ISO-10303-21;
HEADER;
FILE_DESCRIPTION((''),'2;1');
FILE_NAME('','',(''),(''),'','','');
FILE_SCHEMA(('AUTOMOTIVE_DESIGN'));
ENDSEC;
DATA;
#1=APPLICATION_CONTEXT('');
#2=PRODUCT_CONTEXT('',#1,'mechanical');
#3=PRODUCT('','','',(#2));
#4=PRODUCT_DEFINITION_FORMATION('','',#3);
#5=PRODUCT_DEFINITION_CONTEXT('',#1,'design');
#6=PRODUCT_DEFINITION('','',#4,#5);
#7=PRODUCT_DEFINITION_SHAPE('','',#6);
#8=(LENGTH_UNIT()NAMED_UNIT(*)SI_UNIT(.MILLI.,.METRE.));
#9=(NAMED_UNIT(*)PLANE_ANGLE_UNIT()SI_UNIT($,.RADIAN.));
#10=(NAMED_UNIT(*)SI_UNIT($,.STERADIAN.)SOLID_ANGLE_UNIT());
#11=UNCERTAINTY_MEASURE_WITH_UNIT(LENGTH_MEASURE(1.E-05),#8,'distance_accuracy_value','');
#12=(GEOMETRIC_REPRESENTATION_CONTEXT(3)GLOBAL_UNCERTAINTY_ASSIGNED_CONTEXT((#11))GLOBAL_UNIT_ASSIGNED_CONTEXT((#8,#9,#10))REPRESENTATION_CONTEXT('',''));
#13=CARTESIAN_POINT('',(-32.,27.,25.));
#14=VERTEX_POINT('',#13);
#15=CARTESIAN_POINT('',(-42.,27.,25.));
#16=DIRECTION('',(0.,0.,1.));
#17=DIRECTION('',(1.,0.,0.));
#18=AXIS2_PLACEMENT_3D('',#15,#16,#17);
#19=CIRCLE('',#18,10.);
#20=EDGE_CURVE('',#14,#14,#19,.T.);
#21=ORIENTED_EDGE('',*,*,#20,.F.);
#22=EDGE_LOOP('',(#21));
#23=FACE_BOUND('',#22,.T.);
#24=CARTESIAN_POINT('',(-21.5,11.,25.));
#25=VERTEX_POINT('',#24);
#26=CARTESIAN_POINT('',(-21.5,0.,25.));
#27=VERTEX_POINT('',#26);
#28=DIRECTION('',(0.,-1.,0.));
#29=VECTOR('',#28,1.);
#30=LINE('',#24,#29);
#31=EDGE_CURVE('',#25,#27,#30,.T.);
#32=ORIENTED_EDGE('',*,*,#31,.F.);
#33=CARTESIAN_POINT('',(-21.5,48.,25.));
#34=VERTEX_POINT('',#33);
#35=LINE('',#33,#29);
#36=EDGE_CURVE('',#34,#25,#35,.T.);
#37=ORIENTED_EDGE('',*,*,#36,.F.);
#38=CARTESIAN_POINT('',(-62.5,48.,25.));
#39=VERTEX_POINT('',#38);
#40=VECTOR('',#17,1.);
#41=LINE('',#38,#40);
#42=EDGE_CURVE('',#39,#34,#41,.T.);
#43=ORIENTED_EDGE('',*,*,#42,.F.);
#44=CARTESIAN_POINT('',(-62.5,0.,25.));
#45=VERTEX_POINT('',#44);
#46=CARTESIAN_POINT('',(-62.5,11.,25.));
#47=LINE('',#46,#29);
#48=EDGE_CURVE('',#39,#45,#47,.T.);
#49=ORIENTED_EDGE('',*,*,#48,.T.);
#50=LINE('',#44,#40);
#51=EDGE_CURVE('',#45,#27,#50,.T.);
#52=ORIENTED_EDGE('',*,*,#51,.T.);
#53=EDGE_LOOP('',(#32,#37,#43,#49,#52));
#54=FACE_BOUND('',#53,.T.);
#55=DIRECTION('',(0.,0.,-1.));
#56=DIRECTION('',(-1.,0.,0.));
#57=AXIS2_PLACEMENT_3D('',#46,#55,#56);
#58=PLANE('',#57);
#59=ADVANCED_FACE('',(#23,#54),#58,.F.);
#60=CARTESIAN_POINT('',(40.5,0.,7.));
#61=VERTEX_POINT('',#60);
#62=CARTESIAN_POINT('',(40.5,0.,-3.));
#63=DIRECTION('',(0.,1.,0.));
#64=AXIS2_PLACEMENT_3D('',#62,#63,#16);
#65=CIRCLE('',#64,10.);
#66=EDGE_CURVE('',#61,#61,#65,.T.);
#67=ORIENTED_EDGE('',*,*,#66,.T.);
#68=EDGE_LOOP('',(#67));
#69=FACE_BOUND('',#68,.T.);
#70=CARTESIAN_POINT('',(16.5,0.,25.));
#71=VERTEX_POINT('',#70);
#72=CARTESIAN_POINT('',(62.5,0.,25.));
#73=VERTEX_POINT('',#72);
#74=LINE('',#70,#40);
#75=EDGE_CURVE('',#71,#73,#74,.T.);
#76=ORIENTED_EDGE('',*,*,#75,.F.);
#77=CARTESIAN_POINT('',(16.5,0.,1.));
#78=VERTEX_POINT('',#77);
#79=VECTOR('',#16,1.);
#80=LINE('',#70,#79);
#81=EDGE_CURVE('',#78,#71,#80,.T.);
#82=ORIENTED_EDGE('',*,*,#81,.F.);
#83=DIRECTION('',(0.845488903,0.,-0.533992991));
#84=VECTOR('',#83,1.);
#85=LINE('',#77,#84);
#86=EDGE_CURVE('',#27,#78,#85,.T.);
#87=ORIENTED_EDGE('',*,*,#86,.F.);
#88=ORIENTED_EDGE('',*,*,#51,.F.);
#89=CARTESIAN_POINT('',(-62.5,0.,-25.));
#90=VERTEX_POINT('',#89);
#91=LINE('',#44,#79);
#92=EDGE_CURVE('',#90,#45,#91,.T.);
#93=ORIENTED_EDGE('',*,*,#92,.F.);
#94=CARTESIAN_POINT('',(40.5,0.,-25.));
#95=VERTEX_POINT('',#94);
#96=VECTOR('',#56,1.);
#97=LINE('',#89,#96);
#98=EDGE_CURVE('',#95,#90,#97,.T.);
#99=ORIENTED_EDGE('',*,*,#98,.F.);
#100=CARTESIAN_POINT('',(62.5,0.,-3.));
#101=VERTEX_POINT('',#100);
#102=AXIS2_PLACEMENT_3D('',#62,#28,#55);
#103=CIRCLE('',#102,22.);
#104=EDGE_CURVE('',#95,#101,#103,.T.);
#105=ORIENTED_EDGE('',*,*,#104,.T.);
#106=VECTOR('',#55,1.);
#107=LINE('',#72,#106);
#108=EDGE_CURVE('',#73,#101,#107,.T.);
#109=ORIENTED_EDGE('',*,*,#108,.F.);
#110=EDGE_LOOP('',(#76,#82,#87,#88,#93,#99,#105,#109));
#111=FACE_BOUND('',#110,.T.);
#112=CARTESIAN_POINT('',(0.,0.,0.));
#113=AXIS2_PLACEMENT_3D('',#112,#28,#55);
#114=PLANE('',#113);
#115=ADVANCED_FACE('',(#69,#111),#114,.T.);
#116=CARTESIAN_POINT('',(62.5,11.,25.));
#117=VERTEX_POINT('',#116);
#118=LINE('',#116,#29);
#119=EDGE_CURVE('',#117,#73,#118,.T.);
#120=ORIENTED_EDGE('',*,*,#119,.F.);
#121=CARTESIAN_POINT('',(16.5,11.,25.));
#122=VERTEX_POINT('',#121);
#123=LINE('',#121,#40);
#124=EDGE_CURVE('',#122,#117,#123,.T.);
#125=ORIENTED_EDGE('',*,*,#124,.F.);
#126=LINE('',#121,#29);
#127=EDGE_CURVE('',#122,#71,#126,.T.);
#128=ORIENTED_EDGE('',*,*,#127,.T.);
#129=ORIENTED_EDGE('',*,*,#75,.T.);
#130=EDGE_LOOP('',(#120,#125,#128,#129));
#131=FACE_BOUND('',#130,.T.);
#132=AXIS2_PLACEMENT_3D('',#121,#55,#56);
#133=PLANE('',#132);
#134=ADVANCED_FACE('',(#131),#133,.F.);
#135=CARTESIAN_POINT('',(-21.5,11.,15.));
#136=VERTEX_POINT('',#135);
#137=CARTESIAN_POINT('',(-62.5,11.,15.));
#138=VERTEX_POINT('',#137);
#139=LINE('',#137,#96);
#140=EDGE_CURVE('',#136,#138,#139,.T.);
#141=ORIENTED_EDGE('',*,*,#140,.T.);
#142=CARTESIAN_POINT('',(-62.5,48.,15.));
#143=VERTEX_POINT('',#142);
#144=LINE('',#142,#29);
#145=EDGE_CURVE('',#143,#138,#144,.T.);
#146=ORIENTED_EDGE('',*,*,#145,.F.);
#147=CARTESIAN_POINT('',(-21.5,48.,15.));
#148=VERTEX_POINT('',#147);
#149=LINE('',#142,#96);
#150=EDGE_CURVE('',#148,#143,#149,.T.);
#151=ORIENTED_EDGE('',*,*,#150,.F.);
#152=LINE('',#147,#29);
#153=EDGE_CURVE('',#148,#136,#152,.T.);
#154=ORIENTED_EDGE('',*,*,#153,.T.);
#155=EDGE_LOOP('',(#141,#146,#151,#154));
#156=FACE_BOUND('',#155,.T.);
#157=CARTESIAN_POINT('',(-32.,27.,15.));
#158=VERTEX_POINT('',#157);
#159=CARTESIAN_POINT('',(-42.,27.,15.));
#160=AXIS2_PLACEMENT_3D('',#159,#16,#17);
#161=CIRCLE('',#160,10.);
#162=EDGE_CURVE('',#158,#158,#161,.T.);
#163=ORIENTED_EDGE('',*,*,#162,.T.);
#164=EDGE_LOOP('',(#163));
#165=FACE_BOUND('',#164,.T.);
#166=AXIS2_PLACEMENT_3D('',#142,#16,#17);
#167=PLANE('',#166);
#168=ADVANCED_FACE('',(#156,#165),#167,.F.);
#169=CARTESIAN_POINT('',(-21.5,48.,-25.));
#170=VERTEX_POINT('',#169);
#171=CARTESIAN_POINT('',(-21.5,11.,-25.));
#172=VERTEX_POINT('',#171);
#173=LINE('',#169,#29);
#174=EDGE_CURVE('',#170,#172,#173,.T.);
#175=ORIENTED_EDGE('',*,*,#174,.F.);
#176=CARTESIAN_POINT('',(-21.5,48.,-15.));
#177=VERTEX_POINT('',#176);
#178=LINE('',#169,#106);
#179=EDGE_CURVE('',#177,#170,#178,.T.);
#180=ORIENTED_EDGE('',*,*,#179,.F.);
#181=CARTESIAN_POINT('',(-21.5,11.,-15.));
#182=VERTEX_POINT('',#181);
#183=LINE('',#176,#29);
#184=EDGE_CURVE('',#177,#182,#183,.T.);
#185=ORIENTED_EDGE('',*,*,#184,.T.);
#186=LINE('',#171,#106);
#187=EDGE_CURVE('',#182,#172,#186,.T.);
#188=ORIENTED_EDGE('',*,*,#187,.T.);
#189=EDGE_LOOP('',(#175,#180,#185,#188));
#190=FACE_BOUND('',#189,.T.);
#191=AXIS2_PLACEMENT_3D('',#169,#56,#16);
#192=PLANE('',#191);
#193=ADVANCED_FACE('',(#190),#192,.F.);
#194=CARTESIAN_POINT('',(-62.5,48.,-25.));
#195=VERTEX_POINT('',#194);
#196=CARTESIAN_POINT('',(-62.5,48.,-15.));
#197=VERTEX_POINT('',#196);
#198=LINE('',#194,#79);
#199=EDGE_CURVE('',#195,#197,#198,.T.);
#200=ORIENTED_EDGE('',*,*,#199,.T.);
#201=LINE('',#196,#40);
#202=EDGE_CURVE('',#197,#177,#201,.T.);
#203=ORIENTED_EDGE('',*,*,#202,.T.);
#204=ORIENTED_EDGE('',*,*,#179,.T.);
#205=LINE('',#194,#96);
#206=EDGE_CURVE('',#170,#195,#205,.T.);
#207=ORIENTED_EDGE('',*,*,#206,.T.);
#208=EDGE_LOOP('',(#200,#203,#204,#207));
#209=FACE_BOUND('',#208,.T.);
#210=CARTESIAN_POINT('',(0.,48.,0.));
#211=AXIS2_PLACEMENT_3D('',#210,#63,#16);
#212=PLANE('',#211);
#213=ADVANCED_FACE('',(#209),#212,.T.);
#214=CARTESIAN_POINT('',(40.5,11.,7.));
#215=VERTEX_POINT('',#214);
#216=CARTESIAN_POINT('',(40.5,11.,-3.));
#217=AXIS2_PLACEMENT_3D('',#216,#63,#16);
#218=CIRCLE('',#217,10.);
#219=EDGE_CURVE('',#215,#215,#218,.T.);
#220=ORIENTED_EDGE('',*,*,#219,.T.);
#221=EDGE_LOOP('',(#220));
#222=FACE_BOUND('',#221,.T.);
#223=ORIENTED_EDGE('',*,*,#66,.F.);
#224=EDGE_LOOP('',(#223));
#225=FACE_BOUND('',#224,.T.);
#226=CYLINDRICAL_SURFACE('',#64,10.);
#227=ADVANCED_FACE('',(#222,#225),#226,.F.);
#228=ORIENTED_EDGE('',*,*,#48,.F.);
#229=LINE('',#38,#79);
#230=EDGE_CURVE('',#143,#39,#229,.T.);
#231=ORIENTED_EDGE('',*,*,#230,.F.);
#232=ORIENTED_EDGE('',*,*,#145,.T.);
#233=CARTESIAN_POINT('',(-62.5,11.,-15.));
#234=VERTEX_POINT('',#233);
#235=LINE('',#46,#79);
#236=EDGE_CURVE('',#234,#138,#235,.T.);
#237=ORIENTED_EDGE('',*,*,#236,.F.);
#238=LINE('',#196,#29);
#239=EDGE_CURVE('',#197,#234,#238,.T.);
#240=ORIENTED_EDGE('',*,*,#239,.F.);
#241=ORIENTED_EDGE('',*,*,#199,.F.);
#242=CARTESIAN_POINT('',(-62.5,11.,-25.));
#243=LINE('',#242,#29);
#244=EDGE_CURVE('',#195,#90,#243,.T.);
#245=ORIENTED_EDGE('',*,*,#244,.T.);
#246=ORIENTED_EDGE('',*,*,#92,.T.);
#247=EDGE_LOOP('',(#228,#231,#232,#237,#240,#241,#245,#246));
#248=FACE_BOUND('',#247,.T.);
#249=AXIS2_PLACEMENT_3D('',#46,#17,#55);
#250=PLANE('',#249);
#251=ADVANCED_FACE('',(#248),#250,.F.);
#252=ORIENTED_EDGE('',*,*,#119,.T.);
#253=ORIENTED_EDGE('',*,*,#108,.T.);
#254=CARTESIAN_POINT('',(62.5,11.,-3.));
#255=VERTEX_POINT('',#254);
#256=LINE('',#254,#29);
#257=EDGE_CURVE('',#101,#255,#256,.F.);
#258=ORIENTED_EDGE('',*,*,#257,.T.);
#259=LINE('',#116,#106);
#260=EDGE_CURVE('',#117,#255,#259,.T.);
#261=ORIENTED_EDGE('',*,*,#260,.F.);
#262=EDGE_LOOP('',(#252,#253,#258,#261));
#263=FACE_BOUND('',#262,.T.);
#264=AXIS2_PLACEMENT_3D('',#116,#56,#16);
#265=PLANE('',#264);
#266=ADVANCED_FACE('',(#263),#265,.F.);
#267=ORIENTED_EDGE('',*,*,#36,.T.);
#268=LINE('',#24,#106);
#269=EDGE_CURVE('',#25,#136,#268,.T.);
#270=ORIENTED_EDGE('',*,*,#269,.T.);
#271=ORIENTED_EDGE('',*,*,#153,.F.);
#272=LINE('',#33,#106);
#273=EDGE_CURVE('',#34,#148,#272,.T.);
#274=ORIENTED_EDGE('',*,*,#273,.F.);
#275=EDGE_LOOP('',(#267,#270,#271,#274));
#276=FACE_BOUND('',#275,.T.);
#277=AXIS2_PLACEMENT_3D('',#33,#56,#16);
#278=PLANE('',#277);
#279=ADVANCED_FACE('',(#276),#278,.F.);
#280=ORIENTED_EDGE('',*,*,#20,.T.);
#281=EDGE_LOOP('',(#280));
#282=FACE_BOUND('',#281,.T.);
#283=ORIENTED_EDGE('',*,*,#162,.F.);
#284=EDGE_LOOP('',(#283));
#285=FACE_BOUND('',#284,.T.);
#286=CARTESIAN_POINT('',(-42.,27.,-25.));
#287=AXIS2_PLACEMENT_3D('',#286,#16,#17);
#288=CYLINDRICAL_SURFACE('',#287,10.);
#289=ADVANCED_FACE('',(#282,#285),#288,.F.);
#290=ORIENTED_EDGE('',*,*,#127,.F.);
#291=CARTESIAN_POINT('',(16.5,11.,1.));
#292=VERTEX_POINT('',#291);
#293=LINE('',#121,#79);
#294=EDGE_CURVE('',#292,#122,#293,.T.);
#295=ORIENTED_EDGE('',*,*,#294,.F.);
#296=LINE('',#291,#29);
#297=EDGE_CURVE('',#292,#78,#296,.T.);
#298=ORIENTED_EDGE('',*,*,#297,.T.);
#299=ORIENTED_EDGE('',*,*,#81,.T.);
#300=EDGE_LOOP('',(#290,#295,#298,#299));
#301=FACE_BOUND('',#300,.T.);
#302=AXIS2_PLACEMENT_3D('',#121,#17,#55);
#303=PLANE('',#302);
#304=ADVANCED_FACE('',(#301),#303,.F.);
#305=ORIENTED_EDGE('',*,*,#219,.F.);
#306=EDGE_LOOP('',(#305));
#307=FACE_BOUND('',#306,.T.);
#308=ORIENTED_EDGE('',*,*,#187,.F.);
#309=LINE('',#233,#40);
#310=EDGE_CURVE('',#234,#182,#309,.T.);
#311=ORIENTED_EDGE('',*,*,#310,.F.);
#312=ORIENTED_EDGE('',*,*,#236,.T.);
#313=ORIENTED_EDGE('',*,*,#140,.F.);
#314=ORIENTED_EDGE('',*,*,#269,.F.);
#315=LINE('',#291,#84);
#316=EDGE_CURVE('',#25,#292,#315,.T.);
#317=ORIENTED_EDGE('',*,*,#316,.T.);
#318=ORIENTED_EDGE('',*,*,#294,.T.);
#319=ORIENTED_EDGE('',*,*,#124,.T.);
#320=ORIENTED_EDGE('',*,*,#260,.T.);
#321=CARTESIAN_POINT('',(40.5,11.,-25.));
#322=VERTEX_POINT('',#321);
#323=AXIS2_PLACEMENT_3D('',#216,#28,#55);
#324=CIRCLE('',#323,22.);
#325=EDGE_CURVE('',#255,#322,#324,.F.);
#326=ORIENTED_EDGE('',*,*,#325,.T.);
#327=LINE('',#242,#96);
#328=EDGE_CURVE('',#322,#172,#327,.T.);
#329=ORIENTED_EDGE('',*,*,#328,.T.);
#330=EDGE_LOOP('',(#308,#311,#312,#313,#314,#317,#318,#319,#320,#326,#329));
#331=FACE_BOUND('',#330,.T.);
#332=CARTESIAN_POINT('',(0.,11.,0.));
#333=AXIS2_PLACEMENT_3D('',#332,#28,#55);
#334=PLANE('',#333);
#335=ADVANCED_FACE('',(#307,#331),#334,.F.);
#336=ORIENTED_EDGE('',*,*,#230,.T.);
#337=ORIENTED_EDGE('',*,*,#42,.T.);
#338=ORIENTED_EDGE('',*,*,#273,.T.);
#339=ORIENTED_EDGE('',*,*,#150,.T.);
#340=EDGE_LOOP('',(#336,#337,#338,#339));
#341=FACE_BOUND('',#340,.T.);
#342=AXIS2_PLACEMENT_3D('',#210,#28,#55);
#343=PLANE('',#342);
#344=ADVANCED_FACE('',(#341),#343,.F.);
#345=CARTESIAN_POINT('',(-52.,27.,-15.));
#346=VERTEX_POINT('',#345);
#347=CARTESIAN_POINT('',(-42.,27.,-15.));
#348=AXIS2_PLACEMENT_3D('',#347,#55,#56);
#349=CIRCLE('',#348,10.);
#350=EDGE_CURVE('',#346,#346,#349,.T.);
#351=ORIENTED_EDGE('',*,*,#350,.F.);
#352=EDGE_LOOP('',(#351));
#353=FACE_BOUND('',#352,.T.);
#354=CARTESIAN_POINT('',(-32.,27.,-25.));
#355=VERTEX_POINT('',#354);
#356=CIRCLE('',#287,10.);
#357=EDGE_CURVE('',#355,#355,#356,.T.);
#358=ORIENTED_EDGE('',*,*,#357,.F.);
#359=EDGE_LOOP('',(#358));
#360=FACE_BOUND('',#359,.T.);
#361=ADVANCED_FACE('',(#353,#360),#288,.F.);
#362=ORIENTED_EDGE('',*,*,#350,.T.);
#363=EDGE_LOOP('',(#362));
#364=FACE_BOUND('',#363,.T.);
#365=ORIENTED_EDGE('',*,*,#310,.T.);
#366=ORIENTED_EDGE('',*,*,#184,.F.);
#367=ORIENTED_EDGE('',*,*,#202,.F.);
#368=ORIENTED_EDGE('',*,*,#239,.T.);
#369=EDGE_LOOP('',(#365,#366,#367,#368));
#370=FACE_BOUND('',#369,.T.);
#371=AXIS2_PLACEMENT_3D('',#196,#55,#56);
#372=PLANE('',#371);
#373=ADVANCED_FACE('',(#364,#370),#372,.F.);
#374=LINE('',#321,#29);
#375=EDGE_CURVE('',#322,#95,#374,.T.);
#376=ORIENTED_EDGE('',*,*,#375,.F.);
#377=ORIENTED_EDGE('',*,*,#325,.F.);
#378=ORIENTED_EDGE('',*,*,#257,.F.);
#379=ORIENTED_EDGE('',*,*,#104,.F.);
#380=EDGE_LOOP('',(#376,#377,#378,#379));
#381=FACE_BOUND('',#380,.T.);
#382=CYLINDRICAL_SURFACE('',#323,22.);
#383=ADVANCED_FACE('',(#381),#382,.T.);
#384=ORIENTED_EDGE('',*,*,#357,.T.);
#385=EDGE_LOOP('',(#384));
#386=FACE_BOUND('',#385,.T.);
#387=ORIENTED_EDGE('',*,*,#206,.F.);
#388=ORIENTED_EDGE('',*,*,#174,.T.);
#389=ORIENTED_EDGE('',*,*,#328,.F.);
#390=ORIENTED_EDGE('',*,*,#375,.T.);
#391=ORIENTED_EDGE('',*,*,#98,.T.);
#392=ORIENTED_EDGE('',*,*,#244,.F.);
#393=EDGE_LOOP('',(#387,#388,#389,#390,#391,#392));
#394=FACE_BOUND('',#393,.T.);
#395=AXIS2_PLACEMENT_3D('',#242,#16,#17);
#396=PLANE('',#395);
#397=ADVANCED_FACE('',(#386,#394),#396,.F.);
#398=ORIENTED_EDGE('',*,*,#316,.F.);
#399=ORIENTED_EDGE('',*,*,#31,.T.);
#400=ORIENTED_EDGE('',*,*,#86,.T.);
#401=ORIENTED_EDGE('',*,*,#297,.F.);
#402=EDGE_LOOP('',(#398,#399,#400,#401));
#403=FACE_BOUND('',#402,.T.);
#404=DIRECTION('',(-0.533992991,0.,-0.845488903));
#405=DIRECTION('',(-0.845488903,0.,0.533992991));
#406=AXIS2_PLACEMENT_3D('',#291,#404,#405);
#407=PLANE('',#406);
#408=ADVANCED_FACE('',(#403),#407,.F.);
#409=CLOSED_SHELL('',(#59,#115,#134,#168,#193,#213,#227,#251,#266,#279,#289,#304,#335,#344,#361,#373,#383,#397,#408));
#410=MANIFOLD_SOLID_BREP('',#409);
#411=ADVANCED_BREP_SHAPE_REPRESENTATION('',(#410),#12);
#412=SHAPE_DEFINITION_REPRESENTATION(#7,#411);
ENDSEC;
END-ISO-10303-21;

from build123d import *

# Parameters (mm, degrees)
BOSS_EXTRUDE1_DEPTH = 11
SKETCH2_R           = 10
CUT_EXTRUDE1_DEPTH  = 12
SKETCH3_W           = 41
SKETCH3_H           = 10
BOSS_EXTRUDE2_DEPTH = 37
SKETCH4_R           = 10
CUT_EXTRUDE2_DEPTH  = 51
FILLET4_R           = 22


with BuildPart() as part:
    # Sketch1 → Boss-Extrude1 (new body)
    with BuildSketch(Plane(origin=(0, 0, 0), x_dir=(1, 0, 0), z_dir=(0, 1, 0))):
        Polygon((16.5, -25), (62.5, -25), (62.5, 25), (-62.5, 25), (-62.5, -25), (-21.5, -25), (16.5, -1), align=None)
    extrude(amount=BOSS_EXTRUDE1_DEPTH)

    # Sketch2 → Cut-Extrude1 (cut, through all)
    with BuildSketch(Plane(origin=(0, 11, 0), x_dir=(1, 0, 0), z_dir=(0, 1, 0))):
        with Locations((40.5, 3)):
            Circle(SKETCH2_R)
    extrude(amount=-CUT_EXTRUDE1_DEPTH, mode=Mode.SUBTRACT)

    # Sketch3 → Boss-Extrude2 (add)
    with BuildSketch(Plane(origin=(0, 11, 0), x_dir=(1, 0, 0), z_dir=(0, 1, 0))):
        with Locations((-42, 20)):
            Rectangle(SKETCH3_W, SKETCH3_H)
        with Locations((-42, -20)):
            Rectangle(SKETCH3_W, SKETCH3_H)
    extrude(amount=BOSS_EXTRUDE2_DEPTH)

    # Sketch4 → Cut-Extrude2 (cut, through all)
    with BuildSketch(Plane.XY.offset(25)):
        with Locations((-42, 27)):
            Circle(SKETCH4_R)
    extrude(amount=-CUT_EXTRUDE2_DEPTH, mode=Mode.SUBTRACT)

    # Fillet4
    fillet4_edges = [part.edges().sort_by_distance(p)[0] for p in [
        (62.5, 5.5, -25),
    ]]
    fillet(fillet4_edges, radius=FILLET4_R)


solid = part.part
